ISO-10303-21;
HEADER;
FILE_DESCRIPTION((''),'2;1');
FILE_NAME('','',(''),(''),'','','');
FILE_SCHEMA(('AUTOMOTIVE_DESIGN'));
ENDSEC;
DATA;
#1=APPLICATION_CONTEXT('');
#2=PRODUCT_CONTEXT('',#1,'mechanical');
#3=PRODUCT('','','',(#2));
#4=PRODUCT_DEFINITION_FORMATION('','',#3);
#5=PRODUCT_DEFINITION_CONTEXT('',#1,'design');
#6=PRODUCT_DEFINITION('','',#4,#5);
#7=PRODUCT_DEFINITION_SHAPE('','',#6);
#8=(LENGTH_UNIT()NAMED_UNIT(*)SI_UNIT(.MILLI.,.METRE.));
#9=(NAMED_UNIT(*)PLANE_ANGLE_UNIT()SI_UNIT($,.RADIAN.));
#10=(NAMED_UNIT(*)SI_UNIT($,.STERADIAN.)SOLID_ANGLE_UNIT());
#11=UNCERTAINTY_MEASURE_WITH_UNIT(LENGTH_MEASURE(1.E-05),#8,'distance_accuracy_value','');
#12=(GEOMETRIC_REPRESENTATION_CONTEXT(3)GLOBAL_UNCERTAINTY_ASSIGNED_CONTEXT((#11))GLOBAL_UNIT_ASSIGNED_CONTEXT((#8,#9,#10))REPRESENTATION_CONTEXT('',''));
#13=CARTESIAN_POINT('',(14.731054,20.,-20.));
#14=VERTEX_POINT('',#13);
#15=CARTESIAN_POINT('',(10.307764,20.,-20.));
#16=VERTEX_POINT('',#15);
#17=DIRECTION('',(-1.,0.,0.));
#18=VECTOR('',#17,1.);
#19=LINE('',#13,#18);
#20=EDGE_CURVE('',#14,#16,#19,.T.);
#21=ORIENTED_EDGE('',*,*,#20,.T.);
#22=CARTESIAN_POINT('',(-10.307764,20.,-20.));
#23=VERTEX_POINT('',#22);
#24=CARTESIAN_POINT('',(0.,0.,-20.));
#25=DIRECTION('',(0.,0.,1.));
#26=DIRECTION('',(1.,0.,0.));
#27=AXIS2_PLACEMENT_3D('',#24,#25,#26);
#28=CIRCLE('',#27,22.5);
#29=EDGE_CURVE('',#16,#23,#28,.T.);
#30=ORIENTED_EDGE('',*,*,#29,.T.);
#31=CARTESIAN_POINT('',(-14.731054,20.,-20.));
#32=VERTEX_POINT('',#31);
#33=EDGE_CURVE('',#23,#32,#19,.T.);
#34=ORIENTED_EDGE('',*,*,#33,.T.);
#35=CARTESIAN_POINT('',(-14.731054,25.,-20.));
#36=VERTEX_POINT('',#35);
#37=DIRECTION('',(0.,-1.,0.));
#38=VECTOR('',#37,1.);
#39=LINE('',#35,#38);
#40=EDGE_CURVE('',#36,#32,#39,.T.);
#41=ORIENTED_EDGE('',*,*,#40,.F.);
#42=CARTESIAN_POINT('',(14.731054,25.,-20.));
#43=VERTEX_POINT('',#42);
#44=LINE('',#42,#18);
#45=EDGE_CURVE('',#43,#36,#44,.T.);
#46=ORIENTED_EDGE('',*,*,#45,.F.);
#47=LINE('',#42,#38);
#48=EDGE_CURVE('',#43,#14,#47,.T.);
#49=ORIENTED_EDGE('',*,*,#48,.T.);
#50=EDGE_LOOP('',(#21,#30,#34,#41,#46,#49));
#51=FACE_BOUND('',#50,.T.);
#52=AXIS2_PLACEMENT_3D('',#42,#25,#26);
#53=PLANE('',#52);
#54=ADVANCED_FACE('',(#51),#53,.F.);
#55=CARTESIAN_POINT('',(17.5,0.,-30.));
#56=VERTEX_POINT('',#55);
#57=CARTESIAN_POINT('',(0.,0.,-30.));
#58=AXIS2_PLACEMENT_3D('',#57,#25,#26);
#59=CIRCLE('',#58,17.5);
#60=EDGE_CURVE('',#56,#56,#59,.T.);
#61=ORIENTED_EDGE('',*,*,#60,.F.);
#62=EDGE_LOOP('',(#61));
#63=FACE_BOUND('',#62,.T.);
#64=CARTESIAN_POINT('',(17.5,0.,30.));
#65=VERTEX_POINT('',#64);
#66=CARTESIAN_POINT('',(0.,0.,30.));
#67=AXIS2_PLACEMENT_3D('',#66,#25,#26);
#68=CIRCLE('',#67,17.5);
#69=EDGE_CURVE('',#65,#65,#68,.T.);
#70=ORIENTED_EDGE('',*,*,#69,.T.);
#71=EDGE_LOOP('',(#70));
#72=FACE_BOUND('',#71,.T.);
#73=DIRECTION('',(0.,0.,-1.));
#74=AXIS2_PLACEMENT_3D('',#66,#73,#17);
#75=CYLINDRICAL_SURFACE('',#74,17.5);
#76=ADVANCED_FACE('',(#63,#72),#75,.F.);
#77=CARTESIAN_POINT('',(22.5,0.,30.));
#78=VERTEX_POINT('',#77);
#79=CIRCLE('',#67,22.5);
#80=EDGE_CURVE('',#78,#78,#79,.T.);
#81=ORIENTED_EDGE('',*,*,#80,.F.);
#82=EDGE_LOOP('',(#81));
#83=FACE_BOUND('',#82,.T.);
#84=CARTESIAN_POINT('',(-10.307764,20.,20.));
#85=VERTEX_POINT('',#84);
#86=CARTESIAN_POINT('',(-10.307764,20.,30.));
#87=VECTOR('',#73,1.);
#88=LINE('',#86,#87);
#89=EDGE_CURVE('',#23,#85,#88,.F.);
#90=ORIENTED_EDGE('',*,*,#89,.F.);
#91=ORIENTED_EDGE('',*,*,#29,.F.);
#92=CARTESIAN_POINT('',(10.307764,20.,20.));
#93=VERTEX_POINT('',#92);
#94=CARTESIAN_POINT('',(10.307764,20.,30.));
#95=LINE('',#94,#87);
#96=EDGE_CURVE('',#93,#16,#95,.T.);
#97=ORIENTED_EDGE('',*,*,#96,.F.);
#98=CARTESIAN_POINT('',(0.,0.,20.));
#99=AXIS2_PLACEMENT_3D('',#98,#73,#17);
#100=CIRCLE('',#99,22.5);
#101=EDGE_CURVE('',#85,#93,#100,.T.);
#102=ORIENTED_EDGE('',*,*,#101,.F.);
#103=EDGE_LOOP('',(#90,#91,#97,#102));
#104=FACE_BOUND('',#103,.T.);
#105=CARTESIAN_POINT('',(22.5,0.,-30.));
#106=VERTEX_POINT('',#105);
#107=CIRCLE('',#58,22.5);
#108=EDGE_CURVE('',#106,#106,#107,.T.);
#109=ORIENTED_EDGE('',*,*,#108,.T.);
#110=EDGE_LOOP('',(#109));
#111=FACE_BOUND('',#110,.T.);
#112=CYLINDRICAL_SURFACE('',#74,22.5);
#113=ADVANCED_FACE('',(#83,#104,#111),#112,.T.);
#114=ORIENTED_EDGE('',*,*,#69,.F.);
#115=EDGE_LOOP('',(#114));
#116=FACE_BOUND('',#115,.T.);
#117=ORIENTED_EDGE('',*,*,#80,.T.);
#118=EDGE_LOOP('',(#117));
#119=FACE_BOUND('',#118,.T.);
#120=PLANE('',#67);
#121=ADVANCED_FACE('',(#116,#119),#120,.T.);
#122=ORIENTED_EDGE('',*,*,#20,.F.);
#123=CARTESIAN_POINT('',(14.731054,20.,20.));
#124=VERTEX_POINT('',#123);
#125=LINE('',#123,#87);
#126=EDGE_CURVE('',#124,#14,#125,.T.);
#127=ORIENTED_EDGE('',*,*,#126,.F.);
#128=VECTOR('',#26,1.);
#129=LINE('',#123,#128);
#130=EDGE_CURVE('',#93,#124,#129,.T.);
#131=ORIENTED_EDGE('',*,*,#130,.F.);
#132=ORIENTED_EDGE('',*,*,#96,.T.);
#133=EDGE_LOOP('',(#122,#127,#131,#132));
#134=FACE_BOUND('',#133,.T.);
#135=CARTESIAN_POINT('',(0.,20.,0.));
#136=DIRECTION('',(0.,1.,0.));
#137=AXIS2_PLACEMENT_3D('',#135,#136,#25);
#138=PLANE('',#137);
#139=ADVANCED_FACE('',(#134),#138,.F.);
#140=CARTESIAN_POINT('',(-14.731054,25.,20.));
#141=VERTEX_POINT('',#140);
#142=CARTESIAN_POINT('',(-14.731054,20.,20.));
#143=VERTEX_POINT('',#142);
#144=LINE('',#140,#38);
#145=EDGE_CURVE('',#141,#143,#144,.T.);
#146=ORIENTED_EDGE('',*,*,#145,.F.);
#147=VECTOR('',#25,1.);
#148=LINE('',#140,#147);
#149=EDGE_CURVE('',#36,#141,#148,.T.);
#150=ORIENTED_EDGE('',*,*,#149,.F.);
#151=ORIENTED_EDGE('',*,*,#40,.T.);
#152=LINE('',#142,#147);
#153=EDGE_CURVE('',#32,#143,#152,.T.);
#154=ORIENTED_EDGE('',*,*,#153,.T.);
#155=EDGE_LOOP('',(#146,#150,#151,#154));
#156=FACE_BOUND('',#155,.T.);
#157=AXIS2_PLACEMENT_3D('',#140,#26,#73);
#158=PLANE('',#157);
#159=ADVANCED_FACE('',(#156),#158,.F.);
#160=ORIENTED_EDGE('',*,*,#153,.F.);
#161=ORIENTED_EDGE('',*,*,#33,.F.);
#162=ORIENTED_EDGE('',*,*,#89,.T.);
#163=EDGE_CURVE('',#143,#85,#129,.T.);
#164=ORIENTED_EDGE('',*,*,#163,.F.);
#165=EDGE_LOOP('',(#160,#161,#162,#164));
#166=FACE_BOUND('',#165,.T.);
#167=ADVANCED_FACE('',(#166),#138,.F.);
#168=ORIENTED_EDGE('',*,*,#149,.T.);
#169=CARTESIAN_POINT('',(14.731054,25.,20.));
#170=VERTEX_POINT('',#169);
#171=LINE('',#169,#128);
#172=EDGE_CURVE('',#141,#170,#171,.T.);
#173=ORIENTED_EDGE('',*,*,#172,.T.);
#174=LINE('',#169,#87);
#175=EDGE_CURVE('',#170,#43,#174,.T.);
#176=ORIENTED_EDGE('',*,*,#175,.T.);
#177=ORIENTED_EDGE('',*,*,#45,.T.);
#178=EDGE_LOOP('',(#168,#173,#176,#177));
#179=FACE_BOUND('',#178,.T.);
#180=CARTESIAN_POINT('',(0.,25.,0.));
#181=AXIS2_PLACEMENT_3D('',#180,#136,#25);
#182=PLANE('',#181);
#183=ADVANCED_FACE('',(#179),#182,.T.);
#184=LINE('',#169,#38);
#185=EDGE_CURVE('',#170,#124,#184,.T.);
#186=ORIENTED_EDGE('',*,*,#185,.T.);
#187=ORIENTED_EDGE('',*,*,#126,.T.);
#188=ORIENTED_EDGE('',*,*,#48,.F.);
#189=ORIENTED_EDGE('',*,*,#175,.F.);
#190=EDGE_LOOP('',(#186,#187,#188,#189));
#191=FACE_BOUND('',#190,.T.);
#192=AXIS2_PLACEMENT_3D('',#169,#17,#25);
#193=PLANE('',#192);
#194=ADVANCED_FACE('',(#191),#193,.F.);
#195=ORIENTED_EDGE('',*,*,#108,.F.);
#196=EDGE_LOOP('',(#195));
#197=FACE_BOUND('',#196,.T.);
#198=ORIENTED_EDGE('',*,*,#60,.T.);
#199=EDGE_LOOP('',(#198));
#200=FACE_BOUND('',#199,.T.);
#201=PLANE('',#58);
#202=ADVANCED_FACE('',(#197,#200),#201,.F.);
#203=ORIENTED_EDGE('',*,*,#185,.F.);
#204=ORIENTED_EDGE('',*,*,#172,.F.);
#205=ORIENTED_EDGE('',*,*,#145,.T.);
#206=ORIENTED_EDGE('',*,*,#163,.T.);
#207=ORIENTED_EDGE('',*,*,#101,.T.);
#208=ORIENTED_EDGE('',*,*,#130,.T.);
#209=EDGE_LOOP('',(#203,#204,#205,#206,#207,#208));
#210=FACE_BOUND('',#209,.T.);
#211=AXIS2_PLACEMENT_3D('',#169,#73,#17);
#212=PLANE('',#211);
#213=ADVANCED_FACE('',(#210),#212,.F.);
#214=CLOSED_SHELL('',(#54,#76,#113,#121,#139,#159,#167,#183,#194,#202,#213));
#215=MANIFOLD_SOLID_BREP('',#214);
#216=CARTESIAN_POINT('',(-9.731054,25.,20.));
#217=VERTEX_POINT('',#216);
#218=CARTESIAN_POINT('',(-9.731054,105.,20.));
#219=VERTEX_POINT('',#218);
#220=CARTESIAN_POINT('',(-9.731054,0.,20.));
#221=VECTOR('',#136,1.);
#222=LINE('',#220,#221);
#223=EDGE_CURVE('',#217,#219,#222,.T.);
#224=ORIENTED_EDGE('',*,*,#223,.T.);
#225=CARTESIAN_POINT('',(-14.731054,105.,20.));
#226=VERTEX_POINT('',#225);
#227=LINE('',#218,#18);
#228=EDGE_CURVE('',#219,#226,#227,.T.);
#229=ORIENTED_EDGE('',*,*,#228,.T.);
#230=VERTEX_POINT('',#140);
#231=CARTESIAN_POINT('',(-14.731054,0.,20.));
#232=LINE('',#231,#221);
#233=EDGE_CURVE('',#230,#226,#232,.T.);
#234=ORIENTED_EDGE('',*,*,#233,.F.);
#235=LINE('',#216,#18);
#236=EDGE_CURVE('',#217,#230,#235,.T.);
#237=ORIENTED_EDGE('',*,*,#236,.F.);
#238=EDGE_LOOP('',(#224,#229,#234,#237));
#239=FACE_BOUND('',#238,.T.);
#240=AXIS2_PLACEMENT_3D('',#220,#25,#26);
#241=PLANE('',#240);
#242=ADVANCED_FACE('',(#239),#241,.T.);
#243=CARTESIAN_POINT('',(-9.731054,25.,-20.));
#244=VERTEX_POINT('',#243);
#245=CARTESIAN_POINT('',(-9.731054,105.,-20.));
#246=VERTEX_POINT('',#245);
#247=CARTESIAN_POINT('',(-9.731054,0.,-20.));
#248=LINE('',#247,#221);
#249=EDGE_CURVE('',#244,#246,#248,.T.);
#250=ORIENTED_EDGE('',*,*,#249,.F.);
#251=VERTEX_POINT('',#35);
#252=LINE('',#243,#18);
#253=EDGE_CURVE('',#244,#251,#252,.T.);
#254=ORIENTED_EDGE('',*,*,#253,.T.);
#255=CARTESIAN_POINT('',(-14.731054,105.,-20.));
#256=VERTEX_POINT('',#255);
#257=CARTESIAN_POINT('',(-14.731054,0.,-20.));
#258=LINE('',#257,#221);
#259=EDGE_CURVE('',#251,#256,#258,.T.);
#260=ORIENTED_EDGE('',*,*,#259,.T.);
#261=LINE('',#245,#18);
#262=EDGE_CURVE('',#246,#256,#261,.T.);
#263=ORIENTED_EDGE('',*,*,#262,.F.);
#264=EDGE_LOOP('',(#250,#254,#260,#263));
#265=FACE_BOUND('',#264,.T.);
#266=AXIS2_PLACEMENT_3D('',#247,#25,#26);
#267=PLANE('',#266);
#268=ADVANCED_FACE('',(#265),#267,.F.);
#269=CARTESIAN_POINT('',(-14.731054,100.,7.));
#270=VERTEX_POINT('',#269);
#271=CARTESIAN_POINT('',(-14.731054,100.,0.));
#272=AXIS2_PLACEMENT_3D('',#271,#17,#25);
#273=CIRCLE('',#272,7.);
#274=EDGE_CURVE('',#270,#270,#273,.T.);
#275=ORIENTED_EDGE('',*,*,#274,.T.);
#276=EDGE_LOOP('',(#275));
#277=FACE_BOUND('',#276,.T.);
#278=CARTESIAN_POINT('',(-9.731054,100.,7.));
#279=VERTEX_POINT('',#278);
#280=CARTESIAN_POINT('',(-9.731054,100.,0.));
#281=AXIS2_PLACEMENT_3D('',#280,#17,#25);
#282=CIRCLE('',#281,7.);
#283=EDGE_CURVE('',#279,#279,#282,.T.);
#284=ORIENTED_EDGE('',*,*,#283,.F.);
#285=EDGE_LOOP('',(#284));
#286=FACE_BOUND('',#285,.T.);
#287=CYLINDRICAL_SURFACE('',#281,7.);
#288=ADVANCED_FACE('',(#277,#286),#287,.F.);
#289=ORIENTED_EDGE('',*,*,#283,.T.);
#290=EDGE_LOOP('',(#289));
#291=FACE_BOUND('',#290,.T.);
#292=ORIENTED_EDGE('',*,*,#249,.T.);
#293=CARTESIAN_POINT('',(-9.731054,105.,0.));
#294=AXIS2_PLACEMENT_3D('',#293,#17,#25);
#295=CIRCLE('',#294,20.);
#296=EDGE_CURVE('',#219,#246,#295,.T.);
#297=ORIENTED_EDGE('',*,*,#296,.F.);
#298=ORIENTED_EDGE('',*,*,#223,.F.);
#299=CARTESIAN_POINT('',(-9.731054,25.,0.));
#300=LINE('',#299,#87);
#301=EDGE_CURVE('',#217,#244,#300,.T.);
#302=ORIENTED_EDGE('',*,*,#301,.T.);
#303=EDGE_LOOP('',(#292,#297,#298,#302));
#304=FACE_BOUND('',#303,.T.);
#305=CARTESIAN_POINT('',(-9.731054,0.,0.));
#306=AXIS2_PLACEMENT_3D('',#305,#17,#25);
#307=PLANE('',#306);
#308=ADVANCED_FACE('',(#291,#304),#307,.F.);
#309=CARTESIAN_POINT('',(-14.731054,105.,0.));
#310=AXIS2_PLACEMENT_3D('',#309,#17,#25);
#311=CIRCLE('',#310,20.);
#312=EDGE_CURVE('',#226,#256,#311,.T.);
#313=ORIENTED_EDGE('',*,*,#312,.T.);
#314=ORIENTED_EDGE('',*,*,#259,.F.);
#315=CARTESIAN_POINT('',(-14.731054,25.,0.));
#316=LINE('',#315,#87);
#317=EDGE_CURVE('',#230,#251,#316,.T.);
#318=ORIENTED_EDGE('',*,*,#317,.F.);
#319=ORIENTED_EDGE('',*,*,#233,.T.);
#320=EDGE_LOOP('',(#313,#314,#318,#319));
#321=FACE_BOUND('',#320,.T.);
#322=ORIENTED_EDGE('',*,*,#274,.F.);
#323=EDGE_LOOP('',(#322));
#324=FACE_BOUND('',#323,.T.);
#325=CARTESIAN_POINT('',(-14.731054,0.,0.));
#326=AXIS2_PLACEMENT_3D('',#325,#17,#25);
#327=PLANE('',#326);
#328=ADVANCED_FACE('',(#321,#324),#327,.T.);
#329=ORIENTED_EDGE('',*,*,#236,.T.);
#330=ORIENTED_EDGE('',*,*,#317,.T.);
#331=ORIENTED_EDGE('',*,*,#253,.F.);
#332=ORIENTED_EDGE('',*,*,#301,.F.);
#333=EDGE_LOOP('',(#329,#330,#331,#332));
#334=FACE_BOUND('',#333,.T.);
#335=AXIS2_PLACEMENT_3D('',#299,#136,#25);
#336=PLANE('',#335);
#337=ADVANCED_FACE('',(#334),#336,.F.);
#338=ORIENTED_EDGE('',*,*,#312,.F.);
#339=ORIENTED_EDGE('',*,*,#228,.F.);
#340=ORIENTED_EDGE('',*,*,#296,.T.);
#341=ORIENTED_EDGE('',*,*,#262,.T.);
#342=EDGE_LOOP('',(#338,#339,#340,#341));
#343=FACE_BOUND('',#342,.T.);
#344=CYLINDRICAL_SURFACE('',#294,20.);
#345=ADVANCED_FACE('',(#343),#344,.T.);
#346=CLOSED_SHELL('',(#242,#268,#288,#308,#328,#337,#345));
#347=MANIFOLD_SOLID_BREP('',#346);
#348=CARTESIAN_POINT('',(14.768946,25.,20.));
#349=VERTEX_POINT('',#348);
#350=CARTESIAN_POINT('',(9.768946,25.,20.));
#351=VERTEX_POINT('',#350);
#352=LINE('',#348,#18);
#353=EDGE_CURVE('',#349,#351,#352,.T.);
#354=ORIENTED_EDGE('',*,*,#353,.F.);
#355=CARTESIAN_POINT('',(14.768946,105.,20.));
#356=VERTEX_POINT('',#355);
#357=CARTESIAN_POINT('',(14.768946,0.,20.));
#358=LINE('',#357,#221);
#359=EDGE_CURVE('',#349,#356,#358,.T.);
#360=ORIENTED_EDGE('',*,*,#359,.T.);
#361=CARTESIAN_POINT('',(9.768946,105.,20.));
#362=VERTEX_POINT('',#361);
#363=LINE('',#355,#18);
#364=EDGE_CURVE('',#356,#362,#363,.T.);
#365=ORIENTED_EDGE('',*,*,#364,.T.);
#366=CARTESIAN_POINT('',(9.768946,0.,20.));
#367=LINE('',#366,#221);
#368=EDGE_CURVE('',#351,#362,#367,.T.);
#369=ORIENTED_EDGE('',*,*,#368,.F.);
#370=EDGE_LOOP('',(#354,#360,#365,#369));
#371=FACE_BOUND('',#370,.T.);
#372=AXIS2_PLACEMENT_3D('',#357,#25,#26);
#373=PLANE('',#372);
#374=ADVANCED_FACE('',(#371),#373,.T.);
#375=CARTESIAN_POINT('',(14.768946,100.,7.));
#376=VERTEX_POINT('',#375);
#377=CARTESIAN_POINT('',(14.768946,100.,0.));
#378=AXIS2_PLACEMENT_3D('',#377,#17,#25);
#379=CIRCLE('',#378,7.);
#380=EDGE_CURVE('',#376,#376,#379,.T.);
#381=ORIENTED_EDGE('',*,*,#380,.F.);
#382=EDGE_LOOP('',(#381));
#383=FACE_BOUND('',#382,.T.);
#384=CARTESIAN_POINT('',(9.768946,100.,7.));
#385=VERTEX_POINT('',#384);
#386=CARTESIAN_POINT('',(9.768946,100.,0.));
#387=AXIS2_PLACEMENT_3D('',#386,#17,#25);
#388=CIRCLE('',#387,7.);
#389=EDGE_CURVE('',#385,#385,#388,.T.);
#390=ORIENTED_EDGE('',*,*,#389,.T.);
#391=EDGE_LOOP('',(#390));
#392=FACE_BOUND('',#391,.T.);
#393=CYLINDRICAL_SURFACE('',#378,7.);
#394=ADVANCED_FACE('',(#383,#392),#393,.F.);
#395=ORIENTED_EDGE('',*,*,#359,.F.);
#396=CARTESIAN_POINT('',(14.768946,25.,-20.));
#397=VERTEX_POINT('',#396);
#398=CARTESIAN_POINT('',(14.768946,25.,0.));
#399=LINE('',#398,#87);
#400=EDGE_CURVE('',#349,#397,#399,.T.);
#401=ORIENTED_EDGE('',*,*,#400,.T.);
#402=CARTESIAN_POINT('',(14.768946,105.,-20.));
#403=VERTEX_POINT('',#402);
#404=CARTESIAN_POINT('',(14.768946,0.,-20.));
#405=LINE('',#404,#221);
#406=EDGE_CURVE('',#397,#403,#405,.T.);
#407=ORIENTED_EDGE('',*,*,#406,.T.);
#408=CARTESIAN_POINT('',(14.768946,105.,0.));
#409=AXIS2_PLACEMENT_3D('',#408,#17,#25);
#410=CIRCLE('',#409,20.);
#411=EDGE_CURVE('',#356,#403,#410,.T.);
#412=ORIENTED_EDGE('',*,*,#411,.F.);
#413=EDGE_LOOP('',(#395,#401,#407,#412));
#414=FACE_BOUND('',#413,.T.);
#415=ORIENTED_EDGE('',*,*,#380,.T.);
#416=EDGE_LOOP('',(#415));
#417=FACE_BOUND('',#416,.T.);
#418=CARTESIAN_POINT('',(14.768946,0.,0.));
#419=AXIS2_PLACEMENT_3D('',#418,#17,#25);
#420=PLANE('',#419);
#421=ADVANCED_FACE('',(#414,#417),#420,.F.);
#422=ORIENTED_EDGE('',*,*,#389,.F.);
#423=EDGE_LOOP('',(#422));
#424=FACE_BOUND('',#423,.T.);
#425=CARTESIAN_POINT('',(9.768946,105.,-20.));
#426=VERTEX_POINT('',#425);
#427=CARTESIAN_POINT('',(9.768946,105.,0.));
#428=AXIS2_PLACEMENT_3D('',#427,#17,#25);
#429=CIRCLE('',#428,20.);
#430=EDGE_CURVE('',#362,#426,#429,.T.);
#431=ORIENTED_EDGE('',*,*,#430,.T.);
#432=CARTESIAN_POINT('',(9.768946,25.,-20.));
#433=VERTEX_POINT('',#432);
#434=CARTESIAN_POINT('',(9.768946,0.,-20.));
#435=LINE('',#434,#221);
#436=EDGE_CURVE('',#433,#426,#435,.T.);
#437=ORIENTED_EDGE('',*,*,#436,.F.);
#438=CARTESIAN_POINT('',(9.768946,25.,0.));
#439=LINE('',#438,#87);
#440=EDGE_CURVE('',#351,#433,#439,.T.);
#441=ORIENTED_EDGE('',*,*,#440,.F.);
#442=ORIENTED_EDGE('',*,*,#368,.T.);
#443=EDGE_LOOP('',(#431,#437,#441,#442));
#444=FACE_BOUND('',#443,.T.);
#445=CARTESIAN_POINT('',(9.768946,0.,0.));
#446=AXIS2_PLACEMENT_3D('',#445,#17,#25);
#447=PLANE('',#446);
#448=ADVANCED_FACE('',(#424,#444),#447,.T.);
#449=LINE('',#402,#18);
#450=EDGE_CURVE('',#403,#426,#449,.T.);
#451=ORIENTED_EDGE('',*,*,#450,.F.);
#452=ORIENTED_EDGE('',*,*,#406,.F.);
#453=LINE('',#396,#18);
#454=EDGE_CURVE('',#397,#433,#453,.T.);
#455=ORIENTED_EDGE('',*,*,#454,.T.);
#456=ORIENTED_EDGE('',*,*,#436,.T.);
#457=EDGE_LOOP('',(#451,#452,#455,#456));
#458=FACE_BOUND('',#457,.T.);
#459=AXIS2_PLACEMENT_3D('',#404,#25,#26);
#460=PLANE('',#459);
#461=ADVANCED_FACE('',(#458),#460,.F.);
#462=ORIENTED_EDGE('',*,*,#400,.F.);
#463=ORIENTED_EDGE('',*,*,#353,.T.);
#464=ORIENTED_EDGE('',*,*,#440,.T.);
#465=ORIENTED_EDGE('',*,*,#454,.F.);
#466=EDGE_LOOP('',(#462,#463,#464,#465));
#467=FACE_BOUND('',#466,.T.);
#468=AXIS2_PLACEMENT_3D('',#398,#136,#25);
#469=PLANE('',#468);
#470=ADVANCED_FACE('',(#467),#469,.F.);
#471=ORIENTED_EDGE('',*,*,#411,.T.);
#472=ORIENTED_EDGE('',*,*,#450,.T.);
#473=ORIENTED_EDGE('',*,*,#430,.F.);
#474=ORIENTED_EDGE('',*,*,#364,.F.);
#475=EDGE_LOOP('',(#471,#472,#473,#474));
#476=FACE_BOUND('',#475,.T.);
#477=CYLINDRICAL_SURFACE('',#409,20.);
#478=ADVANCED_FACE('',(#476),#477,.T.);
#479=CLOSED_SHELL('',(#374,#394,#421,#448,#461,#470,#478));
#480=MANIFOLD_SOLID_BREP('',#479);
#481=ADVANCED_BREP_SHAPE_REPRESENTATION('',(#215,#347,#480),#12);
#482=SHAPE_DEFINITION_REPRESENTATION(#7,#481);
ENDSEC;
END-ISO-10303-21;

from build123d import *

# Parameters (mm, degrees)
SKETCH1_R           = 22.5
SKETCH1_R_2         = 17.5
BOSS_EXTRUDE1_DEPTH = 30
SKETCH6_W           = 29.462107424
SKETCH6_H           = 40
BOSS_EXTRUDE7_DEPTH = 5
SKETCH8_R           = 7
BOSS_EXTRUDE8_DEPTH = 5
LPATTERN2_COUNT     = 2
LPATTERN2_PITCH     = 24.5


with BuildPart() as part:
    # Sketch1 → Boss-Extrude1 (new, symmetric)
    with BuildSketch(Plane.XY):
        Circle(SKETCH1_R)
        Circle(SKETCH1_R_2, mode=Mode.SUBTRACT)
    extrude(amount=BOSS_EXTRUDE1_DEPTH, both=True)

    # Sketch6 → Boss-Extrude7 (add)
    with BuildSketch(Plane(origin=(0, 20, 0), x_dir=(1, 0, 0), z_dir=(0, 1, 0))):
        Rectangle(SKETCH6_W, SKETCH6_H)
    extrude(amount=BOSS_EXTRUDE7_DEPTH)


with BuildPart() as body_2:
    # Sketch8 → Boss-Extrude8 (new body)
    with BuildSketch(Plane.ZY.offset(14.731053712)):
        with BuildLine():
            Line((20, 25), (20, 105))
            ThreePointArc((20, 105), (0, 125), (-20, 105))
            Line((-20, 105), (-20, 25))
            Line((-20, 25), (20, 25))
        make_face()
        with Locations((0, 100)):
            Circle(SKETCH8_R, mode=Mode.SUBTRACT)
    boss_extrude8 = extrude(amount=-BOSS_EXTRUDE8_DEPTH)


with BuildPart() as lpattern2_1:
    # LPattern2: Boss-Extrude8 ×2
    with Locations(*[(i * LPATTERN2_PITCH, 0, 0) for i in range(1, LPATTERN2_COUNT)]):
        add(boss_extrude8)


solid = Compound([part.part, body_2.part, lpattern2_1.part])
